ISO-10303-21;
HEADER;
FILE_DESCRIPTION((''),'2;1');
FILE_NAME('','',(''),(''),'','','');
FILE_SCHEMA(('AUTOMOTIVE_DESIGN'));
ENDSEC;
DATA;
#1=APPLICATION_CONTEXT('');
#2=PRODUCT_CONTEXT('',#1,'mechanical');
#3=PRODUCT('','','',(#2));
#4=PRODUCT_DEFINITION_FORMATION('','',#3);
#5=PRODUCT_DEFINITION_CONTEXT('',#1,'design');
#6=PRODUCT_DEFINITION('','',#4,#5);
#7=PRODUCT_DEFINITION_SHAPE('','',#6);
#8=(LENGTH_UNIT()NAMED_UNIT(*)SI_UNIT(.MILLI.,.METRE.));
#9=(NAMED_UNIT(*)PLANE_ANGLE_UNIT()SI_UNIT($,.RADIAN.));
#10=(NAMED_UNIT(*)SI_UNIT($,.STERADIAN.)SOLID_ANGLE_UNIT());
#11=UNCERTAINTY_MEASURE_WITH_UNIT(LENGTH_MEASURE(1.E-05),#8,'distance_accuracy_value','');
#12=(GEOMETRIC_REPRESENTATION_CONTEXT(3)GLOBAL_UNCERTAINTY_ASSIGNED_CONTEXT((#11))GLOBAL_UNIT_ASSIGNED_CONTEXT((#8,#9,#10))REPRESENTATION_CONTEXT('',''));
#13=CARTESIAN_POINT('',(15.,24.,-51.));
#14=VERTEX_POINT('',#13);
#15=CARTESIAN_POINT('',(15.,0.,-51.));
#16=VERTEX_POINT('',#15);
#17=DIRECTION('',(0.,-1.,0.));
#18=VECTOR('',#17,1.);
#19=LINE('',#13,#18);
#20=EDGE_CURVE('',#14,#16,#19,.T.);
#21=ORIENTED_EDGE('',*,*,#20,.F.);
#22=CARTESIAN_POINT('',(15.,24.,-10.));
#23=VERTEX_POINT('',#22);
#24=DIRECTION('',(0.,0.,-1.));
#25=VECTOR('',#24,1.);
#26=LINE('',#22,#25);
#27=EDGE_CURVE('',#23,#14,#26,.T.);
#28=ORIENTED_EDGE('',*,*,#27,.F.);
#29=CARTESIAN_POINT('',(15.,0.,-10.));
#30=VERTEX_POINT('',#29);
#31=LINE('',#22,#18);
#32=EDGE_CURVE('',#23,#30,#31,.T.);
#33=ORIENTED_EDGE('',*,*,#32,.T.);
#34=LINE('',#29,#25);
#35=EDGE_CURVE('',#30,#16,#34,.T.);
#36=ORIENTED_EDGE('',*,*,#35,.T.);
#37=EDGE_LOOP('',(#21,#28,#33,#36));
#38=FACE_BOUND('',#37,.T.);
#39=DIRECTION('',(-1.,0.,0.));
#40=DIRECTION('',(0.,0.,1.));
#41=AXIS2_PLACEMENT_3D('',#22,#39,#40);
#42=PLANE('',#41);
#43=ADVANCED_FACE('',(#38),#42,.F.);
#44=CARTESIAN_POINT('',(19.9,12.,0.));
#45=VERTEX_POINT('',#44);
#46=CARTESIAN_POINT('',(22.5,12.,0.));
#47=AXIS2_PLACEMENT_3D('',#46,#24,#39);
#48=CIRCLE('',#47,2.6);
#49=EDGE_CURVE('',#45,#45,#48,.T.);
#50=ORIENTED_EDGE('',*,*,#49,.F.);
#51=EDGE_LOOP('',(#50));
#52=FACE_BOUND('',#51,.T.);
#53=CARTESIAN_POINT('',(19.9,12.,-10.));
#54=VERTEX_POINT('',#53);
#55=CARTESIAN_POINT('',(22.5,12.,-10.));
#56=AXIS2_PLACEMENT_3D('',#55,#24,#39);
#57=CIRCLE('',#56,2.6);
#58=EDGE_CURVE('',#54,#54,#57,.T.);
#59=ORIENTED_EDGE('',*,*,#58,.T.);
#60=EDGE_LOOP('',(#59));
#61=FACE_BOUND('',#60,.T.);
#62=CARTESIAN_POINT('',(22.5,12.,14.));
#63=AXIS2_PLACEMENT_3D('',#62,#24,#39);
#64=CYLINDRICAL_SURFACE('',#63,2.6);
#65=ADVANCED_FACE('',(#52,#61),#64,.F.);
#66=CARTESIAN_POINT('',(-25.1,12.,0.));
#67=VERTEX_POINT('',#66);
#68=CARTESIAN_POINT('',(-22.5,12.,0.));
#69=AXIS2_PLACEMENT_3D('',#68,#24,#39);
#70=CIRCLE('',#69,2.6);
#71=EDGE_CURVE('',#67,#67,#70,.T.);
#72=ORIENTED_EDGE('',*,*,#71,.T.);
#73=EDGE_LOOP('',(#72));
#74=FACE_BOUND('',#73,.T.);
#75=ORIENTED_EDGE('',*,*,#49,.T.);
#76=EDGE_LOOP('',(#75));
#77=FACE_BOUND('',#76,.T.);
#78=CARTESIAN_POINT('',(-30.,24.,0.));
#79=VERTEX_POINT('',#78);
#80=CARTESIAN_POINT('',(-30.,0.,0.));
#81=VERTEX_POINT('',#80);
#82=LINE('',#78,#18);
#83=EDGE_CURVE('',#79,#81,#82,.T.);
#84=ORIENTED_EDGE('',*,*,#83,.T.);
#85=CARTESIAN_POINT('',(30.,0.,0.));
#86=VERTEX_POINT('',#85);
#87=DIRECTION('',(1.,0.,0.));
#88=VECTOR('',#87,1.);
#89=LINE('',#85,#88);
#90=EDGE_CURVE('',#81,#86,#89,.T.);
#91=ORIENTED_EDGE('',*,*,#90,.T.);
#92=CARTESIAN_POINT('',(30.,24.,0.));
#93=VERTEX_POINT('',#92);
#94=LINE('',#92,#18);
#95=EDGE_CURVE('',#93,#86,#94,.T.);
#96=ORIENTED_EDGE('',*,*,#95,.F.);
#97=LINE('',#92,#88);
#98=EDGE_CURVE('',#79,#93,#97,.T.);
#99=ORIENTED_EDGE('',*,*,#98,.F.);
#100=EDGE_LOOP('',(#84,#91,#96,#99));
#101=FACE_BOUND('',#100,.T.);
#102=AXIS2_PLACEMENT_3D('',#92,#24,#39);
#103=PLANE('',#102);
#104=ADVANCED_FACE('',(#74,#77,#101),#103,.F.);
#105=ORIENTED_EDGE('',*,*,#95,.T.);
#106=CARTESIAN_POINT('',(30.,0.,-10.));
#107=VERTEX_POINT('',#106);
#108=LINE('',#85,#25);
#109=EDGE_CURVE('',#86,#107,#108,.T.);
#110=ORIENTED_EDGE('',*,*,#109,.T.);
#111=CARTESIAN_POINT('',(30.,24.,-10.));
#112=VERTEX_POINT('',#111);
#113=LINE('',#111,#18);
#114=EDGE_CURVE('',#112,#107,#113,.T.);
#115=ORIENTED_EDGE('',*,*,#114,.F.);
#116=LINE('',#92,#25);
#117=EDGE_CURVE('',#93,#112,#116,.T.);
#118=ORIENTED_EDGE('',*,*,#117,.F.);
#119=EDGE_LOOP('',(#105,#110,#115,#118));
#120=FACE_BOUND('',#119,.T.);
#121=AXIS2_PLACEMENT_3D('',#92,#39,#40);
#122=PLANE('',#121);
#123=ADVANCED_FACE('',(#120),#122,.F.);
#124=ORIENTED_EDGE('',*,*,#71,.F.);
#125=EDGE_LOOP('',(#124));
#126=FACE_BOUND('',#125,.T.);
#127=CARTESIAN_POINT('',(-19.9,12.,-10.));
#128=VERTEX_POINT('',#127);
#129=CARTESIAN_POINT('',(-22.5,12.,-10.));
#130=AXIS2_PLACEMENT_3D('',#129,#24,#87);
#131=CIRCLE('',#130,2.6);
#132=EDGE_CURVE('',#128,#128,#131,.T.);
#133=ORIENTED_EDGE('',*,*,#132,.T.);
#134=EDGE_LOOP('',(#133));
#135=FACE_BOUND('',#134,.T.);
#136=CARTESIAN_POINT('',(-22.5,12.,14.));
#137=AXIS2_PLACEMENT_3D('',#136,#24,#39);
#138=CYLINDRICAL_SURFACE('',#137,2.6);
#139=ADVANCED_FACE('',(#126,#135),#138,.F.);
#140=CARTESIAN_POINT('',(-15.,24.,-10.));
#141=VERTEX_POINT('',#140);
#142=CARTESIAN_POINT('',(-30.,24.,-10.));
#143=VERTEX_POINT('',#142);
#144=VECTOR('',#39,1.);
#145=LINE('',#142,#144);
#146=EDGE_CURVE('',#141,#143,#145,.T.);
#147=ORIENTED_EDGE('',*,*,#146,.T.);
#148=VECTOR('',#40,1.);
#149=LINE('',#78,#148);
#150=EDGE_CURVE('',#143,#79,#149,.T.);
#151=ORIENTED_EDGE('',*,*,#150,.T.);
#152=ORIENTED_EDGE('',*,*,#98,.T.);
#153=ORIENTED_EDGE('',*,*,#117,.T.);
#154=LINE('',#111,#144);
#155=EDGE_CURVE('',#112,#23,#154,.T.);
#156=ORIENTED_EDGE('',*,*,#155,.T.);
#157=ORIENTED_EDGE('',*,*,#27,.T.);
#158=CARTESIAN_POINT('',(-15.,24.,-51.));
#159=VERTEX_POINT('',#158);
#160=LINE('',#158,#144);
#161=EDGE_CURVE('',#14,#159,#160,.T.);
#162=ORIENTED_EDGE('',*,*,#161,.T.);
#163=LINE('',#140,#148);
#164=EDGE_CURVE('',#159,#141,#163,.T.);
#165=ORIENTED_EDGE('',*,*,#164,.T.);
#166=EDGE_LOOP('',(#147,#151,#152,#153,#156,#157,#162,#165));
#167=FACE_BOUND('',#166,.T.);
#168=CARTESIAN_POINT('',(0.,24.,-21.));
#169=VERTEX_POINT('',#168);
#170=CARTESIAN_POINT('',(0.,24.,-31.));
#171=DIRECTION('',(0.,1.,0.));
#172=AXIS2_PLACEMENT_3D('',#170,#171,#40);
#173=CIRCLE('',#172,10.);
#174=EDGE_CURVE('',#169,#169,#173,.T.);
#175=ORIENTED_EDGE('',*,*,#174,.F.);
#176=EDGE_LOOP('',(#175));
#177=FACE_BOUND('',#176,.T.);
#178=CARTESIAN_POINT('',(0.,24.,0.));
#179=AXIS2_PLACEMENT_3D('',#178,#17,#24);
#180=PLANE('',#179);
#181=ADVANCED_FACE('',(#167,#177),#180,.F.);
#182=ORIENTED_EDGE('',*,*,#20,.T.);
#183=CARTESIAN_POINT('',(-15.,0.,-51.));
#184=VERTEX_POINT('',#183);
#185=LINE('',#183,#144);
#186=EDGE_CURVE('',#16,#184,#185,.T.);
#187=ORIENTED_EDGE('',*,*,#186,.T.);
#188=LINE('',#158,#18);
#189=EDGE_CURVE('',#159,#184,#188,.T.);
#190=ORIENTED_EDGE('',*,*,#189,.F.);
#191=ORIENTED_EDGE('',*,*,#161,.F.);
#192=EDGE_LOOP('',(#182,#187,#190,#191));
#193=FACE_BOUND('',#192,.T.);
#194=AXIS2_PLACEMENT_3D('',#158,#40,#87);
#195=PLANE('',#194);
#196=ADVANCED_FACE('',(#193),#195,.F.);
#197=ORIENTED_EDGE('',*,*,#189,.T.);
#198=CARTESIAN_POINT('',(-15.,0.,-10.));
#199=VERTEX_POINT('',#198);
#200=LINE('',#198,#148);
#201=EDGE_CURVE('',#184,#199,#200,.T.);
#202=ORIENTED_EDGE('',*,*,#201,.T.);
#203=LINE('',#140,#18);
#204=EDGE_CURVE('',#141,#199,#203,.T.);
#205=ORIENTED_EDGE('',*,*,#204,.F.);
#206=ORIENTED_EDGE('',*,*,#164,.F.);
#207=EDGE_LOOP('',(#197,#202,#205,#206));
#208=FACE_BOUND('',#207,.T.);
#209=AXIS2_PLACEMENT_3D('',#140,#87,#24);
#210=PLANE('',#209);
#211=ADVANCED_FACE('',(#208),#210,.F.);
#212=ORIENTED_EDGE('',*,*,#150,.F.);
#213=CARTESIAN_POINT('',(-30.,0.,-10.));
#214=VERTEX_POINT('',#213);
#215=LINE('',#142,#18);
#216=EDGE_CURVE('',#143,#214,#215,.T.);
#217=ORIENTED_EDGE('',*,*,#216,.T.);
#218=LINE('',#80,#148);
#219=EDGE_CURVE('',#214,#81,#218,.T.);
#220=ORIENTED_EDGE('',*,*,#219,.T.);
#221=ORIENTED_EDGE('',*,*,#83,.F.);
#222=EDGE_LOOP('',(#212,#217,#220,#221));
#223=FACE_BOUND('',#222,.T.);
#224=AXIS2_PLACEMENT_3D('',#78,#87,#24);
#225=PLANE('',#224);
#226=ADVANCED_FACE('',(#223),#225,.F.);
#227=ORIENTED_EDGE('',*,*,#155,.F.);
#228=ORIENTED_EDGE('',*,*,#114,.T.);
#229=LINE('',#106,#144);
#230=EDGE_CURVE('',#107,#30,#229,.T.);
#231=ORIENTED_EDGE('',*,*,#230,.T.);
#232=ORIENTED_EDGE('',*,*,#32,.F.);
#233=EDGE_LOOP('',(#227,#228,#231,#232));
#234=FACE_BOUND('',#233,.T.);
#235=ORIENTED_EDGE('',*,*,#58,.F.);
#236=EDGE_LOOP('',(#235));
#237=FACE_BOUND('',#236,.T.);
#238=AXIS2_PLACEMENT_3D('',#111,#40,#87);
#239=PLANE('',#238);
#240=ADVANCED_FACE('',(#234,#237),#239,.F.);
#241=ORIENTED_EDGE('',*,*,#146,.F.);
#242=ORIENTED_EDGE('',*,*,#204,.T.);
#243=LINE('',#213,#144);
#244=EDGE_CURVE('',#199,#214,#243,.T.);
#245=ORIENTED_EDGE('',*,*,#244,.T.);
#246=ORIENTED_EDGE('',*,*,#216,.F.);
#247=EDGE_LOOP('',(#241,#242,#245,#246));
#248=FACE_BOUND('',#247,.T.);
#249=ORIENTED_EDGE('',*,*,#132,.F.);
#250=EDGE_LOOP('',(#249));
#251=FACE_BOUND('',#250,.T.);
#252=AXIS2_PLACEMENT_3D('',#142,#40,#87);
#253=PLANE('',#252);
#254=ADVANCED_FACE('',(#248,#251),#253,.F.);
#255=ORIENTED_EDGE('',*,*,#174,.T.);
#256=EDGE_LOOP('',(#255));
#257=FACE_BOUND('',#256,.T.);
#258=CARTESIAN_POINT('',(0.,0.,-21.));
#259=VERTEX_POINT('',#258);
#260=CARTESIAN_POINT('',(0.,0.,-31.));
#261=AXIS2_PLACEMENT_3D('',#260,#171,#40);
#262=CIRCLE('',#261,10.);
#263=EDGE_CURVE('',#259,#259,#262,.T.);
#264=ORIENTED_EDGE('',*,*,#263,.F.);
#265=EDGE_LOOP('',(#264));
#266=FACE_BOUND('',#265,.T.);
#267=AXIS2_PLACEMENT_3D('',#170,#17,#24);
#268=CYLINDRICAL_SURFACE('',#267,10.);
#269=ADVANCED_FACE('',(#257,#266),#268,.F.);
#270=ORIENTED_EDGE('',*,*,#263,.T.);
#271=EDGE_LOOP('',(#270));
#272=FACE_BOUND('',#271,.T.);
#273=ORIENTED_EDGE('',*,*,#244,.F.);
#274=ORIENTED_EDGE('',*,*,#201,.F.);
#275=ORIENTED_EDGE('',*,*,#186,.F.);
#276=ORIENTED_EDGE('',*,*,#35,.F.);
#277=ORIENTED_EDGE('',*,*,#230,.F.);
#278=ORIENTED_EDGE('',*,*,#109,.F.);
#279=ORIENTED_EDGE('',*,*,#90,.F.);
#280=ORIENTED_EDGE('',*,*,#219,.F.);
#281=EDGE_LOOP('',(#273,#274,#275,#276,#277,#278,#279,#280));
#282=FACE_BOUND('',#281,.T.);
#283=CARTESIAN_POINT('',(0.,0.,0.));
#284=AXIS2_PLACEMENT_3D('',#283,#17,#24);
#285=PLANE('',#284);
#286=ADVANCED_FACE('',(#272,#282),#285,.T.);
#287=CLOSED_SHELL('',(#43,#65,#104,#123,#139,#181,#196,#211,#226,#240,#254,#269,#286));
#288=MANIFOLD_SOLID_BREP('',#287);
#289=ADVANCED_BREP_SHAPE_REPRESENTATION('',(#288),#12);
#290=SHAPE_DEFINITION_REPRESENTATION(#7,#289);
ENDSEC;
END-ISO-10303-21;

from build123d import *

# Parameters (mm, degrees)
SKETCH_1_R          = 10
EXTRUDE_1_DEPTH     = 24
SKETCH_2_R          = 2.6
CUT_EXTRUDE_1_DEPTH = 24


with BuildPart() as part:
    # 草图1 → 凸台-拉伸1 (new body)
    with BuildSketch(Plane(origin=(0, 0, 0), x_dir=(1, 0, 0), z_dir=(0, 1, 0))):
        Polygon((30, 0), (-30, 0), (-30, 10), (-15, 10), (-15, 51), (15, 51), (15, 10), (30, 10), align=None)
        with Locations(Location((0, 31, 0), (0, 0, 270))):
            Circle(SKETCH_1_R, mode=Mode.SUBTRACT)
    extrude(amount=EXTRUDE_1_DEPTH)

    # 草图2 → 切除-拉伸1 (cut)
    with BuildSketch(Plane(origin=(0, 0, -10), x_dir=(-1, 0, 0), z_dir=(0, 0, -1))):
        with Locations((-22.5, 12)):
            Circle(SKETCH_2_R)
        with Locations((22.5, 12)):
            Circle(SKETCH_2_R)
    extrude(amount=-CUT_EXTRUDE_1_DEPTH, mode=Mode.SUBTRACT)


solid = part.part
